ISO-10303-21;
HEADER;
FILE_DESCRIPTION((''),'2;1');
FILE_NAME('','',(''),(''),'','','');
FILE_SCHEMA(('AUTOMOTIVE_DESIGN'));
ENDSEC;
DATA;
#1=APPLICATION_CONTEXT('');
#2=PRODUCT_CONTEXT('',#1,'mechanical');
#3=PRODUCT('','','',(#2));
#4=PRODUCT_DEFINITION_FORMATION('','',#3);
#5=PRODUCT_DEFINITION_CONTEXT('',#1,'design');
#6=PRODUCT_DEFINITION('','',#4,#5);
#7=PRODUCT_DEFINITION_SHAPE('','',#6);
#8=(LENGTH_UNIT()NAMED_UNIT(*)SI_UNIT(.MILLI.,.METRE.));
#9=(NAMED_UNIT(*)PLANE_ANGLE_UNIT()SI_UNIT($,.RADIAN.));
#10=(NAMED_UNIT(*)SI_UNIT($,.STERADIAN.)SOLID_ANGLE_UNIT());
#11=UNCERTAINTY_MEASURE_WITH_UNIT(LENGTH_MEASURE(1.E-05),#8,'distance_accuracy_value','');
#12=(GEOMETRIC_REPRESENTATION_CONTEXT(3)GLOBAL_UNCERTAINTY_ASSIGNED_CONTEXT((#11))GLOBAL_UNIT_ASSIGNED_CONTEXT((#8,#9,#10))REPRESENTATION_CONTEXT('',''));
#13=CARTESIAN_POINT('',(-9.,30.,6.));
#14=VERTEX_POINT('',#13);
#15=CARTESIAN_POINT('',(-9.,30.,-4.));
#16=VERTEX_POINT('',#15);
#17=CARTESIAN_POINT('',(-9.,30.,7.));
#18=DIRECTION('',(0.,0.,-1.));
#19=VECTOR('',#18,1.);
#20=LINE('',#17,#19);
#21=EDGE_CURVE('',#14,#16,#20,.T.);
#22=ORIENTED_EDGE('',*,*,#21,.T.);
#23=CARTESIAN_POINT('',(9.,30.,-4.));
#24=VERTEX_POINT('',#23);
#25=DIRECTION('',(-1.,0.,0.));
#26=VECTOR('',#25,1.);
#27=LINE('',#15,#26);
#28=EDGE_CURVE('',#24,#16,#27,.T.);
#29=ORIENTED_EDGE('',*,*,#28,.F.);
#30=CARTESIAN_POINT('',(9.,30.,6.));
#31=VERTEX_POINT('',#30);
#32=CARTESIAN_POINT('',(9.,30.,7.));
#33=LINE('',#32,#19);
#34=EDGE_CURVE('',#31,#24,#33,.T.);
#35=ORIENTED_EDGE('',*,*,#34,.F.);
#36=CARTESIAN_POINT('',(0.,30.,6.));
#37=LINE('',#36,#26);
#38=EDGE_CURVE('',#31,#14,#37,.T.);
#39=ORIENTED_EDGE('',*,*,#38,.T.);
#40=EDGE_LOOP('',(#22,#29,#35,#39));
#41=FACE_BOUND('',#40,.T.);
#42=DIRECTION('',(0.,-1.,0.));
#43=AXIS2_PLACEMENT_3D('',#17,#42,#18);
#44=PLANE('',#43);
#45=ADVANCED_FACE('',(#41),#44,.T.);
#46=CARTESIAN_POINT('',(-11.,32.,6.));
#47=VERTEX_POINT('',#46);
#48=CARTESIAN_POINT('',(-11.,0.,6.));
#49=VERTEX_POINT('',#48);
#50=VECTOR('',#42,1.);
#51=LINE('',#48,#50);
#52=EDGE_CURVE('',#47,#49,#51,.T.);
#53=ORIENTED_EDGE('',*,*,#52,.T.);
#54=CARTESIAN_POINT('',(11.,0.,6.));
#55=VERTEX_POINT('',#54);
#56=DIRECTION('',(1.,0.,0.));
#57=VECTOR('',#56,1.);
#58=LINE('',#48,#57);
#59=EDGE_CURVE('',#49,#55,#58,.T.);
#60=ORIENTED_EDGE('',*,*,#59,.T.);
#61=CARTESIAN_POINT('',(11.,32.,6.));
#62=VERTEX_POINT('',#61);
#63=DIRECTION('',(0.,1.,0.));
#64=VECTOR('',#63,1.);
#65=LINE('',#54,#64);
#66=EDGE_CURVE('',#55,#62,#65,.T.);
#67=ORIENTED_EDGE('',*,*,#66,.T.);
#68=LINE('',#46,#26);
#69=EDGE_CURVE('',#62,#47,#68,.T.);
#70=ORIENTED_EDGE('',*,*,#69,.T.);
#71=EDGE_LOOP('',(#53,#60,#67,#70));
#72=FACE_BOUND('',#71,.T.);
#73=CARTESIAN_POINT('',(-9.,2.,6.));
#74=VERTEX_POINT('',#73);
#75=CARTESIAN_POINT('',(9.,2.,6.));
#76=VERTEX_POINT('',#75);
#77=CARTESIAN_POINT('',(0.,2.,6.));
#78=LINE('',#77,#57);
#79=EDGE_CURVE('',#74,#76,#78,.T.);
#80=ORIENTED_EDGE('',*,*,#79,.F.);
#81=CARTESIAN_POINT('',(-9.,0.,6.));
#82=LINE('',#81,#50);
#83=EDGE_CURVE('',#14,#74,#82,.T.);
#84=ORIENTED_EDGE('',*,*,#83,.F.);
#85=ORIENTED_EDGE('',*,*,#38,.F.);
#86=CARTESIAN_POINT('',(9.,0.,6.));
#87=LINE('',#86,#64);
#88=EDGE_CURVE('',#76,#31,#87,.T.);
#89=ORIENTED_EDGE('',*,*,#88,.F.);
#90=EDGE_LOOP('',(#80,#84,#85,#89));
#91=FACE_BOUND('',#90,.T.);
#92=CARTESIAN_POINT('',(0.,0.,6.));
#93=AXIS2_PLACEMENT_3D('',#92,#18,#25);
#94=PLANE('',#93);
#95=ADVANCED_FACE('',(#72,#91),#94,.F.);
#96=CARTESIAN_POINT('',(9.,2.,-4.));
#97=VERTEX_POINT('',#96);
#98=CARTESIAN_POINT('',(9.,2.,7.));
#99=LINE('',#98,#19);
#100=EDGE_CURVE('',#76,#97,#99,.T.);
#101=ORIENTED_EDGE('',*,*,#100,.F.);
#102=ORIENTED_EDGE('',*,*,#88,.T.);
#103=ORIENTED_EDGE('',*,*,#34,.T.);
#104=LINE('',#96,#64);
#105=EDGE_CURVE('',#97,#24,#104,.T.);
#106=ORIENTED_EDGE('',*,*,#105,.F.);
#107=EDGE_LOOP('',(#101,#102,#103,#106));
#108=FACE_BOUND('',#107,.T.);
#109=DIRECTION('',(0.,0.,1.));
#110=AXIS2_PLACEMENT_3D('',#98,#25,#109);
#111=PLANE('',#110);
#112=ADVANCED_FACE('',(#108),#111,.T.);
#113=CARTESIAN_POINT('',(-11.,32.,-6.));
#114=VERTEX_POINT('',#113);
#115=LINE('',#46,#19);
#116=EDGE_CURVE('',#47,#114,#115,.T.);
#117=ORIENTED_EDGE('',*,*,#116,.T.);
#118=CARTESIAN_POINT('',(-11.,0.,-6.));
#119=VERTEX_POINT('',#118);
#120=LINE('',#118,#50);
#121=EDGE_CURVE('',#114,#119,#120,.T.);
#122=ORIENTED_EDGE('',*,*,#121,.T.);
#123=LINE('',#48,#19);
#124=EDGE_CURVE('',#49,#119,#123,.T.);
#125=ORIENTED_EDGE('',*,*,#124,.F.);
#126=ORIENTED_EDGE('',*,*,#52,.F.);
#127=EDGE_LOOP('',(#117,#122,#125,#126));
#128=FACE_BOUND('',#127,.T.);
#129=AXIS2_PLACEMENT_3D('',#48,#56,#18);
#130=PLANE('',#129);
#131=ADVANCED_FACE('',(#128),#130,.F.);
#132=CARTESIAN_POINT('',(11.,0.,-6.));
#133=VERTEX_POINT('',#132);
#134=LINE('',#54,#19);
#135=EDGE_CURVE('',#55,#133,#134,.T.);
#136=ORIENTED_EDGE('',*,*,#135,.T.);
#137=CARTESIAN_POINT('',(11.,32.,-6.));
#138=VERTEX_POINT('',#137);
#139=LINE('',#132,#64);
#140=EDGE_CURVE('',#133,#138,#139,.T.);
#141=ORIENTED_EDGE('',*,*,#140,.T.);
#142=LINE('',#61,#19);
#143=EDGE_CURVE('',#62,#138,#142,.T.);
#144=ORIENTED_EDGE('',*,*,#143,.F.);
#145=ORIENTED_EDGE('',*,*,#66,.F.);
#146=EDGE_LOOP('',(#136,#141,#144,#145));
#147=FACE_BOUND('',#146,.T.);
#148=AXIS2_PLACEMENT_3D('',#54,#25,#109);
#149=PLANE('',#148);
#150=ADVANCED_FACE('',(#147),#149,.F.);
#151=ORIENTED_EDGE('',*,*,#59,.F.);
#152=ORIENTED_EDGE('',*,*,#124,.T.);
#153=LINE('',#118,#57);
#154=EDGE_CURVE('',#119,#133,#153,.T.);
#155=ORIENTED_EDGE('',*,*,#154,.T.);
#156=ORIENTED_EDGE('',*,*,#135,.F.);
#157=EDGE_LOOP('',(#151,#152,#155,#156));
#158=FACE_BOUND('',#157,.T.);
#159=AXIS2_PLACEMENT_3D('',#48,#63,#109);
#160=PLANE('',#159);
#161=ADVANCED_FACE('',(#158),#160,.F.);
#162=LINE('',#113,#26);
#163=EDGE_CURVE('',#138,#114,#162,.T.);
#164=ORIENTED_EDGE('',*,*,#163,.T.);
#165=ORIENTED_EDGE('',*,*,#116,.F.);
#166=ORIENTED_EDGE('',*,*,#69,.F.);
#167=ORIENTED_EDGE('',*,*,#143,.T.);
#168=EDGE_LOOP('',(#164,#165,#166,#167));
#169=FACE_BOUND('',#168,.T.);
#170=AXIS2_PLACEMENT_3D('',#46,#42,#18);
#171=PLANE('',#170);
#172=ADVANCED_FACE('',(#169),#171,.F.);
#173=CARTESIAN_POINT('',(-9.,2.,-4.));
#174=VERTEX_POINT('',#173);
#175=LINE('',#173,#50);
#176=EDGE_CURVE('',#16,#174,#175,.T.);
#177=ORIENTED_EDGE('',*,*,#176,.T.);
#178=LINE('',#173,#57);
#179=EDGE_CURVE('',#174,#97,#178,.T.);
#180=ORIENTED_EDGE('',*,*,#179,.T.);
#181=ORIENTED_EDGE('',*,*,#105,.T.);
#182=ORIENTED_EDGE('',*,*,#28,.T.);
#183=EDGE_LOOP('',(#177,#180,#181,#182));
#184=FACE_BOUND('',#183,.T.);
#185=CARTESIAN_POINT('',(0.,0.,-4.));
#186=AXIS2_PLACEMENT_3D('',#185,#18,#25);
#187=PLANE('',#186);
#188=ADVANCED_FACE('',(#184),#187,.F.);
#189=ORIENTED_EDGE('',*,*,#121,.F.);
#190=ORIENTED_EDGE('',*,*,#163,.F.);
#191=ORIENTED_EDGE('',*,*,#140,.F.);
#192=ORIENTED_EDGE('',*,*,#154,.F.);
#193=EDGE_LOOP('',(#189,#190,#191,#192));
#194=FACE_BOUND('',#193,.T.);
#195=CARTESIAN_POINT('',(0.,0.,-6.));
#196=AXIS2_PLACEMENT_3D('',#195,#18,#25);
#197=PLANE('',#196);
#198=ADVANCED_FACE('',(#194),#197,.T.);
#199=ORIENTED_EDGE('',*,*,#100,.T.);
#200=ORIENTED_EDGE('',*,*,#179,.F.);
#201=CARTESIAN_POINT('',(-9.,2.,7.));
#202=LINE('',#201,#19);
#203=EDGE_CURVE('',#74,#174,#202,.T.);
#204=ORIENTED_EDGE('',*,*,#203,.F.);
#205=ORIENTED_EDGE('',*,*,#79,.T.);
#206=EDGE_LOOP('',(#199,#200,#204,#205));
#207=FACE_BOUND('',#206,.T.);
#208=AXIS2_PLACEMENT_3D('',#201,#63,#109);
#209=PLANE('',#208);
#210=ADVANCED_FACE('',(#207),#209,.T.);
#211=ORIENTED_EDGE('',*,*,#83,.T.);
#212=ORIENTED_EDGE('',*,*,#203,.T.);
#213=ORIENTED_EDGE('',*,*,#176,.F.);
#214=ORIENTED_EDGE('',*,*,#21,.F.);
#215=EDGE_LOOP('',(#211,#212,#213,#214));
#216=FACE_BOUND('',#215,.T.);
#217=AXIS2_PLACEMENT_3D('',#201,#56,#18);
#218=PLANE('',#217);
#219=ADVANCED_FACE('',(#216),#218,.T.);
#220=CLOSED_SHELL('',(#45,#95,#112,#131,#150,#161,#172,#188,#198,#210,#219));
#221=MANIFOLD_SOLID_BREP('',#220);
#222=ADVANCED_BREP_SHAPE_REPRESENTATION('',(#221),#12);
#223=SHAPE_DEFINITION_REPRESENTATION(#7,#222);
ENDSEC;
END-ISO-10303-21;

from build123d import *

# Parameters (mm, degrees)
BOSS_EXTRUDE1_START = -6
SKETCH1_W           = 22
SKETCH1_H           = 32
BOSS_EXTRUDE1_DEPTH = 12
BOSS_EXTRUDE2_START = -4
SKETCH2_W           = 18
SKETCH2_H           = 28
BOSS_EXTRUDE2_DEPTH = 11


with BuildPart() as part:
    # Sketch1 → Boss-Extrude1 (new body)
    with BuildSketch(Plane.XY.offset(BOSS_EXTRUDE1_START)):
        with Locations((0, 16)):
            Rectangle(SKETCH1_W, SKETCH1_H)
    extrude(amount=BOSS_EXTRUDE1_DEPTH)


with BuildPart() as body_2:
    # Sketch2 → Boss-Extrude2 (new body)
    with BuildSketch(Plane.XY.offset(BOSS_EXTRUDE2_START)):
        with Locations((0, 16)):
            Rectangle(SKETCH2_W, SKETCH2_H)
    extrude(amount=BOSS_EXTRUDE2_DEPTH)


with BuildPart() as part_1:
    add(part.part)

    # Combine1: cut body 2
    add(body_2.part, mode=Mode.SUBTRACT)


solid = part_1.part
